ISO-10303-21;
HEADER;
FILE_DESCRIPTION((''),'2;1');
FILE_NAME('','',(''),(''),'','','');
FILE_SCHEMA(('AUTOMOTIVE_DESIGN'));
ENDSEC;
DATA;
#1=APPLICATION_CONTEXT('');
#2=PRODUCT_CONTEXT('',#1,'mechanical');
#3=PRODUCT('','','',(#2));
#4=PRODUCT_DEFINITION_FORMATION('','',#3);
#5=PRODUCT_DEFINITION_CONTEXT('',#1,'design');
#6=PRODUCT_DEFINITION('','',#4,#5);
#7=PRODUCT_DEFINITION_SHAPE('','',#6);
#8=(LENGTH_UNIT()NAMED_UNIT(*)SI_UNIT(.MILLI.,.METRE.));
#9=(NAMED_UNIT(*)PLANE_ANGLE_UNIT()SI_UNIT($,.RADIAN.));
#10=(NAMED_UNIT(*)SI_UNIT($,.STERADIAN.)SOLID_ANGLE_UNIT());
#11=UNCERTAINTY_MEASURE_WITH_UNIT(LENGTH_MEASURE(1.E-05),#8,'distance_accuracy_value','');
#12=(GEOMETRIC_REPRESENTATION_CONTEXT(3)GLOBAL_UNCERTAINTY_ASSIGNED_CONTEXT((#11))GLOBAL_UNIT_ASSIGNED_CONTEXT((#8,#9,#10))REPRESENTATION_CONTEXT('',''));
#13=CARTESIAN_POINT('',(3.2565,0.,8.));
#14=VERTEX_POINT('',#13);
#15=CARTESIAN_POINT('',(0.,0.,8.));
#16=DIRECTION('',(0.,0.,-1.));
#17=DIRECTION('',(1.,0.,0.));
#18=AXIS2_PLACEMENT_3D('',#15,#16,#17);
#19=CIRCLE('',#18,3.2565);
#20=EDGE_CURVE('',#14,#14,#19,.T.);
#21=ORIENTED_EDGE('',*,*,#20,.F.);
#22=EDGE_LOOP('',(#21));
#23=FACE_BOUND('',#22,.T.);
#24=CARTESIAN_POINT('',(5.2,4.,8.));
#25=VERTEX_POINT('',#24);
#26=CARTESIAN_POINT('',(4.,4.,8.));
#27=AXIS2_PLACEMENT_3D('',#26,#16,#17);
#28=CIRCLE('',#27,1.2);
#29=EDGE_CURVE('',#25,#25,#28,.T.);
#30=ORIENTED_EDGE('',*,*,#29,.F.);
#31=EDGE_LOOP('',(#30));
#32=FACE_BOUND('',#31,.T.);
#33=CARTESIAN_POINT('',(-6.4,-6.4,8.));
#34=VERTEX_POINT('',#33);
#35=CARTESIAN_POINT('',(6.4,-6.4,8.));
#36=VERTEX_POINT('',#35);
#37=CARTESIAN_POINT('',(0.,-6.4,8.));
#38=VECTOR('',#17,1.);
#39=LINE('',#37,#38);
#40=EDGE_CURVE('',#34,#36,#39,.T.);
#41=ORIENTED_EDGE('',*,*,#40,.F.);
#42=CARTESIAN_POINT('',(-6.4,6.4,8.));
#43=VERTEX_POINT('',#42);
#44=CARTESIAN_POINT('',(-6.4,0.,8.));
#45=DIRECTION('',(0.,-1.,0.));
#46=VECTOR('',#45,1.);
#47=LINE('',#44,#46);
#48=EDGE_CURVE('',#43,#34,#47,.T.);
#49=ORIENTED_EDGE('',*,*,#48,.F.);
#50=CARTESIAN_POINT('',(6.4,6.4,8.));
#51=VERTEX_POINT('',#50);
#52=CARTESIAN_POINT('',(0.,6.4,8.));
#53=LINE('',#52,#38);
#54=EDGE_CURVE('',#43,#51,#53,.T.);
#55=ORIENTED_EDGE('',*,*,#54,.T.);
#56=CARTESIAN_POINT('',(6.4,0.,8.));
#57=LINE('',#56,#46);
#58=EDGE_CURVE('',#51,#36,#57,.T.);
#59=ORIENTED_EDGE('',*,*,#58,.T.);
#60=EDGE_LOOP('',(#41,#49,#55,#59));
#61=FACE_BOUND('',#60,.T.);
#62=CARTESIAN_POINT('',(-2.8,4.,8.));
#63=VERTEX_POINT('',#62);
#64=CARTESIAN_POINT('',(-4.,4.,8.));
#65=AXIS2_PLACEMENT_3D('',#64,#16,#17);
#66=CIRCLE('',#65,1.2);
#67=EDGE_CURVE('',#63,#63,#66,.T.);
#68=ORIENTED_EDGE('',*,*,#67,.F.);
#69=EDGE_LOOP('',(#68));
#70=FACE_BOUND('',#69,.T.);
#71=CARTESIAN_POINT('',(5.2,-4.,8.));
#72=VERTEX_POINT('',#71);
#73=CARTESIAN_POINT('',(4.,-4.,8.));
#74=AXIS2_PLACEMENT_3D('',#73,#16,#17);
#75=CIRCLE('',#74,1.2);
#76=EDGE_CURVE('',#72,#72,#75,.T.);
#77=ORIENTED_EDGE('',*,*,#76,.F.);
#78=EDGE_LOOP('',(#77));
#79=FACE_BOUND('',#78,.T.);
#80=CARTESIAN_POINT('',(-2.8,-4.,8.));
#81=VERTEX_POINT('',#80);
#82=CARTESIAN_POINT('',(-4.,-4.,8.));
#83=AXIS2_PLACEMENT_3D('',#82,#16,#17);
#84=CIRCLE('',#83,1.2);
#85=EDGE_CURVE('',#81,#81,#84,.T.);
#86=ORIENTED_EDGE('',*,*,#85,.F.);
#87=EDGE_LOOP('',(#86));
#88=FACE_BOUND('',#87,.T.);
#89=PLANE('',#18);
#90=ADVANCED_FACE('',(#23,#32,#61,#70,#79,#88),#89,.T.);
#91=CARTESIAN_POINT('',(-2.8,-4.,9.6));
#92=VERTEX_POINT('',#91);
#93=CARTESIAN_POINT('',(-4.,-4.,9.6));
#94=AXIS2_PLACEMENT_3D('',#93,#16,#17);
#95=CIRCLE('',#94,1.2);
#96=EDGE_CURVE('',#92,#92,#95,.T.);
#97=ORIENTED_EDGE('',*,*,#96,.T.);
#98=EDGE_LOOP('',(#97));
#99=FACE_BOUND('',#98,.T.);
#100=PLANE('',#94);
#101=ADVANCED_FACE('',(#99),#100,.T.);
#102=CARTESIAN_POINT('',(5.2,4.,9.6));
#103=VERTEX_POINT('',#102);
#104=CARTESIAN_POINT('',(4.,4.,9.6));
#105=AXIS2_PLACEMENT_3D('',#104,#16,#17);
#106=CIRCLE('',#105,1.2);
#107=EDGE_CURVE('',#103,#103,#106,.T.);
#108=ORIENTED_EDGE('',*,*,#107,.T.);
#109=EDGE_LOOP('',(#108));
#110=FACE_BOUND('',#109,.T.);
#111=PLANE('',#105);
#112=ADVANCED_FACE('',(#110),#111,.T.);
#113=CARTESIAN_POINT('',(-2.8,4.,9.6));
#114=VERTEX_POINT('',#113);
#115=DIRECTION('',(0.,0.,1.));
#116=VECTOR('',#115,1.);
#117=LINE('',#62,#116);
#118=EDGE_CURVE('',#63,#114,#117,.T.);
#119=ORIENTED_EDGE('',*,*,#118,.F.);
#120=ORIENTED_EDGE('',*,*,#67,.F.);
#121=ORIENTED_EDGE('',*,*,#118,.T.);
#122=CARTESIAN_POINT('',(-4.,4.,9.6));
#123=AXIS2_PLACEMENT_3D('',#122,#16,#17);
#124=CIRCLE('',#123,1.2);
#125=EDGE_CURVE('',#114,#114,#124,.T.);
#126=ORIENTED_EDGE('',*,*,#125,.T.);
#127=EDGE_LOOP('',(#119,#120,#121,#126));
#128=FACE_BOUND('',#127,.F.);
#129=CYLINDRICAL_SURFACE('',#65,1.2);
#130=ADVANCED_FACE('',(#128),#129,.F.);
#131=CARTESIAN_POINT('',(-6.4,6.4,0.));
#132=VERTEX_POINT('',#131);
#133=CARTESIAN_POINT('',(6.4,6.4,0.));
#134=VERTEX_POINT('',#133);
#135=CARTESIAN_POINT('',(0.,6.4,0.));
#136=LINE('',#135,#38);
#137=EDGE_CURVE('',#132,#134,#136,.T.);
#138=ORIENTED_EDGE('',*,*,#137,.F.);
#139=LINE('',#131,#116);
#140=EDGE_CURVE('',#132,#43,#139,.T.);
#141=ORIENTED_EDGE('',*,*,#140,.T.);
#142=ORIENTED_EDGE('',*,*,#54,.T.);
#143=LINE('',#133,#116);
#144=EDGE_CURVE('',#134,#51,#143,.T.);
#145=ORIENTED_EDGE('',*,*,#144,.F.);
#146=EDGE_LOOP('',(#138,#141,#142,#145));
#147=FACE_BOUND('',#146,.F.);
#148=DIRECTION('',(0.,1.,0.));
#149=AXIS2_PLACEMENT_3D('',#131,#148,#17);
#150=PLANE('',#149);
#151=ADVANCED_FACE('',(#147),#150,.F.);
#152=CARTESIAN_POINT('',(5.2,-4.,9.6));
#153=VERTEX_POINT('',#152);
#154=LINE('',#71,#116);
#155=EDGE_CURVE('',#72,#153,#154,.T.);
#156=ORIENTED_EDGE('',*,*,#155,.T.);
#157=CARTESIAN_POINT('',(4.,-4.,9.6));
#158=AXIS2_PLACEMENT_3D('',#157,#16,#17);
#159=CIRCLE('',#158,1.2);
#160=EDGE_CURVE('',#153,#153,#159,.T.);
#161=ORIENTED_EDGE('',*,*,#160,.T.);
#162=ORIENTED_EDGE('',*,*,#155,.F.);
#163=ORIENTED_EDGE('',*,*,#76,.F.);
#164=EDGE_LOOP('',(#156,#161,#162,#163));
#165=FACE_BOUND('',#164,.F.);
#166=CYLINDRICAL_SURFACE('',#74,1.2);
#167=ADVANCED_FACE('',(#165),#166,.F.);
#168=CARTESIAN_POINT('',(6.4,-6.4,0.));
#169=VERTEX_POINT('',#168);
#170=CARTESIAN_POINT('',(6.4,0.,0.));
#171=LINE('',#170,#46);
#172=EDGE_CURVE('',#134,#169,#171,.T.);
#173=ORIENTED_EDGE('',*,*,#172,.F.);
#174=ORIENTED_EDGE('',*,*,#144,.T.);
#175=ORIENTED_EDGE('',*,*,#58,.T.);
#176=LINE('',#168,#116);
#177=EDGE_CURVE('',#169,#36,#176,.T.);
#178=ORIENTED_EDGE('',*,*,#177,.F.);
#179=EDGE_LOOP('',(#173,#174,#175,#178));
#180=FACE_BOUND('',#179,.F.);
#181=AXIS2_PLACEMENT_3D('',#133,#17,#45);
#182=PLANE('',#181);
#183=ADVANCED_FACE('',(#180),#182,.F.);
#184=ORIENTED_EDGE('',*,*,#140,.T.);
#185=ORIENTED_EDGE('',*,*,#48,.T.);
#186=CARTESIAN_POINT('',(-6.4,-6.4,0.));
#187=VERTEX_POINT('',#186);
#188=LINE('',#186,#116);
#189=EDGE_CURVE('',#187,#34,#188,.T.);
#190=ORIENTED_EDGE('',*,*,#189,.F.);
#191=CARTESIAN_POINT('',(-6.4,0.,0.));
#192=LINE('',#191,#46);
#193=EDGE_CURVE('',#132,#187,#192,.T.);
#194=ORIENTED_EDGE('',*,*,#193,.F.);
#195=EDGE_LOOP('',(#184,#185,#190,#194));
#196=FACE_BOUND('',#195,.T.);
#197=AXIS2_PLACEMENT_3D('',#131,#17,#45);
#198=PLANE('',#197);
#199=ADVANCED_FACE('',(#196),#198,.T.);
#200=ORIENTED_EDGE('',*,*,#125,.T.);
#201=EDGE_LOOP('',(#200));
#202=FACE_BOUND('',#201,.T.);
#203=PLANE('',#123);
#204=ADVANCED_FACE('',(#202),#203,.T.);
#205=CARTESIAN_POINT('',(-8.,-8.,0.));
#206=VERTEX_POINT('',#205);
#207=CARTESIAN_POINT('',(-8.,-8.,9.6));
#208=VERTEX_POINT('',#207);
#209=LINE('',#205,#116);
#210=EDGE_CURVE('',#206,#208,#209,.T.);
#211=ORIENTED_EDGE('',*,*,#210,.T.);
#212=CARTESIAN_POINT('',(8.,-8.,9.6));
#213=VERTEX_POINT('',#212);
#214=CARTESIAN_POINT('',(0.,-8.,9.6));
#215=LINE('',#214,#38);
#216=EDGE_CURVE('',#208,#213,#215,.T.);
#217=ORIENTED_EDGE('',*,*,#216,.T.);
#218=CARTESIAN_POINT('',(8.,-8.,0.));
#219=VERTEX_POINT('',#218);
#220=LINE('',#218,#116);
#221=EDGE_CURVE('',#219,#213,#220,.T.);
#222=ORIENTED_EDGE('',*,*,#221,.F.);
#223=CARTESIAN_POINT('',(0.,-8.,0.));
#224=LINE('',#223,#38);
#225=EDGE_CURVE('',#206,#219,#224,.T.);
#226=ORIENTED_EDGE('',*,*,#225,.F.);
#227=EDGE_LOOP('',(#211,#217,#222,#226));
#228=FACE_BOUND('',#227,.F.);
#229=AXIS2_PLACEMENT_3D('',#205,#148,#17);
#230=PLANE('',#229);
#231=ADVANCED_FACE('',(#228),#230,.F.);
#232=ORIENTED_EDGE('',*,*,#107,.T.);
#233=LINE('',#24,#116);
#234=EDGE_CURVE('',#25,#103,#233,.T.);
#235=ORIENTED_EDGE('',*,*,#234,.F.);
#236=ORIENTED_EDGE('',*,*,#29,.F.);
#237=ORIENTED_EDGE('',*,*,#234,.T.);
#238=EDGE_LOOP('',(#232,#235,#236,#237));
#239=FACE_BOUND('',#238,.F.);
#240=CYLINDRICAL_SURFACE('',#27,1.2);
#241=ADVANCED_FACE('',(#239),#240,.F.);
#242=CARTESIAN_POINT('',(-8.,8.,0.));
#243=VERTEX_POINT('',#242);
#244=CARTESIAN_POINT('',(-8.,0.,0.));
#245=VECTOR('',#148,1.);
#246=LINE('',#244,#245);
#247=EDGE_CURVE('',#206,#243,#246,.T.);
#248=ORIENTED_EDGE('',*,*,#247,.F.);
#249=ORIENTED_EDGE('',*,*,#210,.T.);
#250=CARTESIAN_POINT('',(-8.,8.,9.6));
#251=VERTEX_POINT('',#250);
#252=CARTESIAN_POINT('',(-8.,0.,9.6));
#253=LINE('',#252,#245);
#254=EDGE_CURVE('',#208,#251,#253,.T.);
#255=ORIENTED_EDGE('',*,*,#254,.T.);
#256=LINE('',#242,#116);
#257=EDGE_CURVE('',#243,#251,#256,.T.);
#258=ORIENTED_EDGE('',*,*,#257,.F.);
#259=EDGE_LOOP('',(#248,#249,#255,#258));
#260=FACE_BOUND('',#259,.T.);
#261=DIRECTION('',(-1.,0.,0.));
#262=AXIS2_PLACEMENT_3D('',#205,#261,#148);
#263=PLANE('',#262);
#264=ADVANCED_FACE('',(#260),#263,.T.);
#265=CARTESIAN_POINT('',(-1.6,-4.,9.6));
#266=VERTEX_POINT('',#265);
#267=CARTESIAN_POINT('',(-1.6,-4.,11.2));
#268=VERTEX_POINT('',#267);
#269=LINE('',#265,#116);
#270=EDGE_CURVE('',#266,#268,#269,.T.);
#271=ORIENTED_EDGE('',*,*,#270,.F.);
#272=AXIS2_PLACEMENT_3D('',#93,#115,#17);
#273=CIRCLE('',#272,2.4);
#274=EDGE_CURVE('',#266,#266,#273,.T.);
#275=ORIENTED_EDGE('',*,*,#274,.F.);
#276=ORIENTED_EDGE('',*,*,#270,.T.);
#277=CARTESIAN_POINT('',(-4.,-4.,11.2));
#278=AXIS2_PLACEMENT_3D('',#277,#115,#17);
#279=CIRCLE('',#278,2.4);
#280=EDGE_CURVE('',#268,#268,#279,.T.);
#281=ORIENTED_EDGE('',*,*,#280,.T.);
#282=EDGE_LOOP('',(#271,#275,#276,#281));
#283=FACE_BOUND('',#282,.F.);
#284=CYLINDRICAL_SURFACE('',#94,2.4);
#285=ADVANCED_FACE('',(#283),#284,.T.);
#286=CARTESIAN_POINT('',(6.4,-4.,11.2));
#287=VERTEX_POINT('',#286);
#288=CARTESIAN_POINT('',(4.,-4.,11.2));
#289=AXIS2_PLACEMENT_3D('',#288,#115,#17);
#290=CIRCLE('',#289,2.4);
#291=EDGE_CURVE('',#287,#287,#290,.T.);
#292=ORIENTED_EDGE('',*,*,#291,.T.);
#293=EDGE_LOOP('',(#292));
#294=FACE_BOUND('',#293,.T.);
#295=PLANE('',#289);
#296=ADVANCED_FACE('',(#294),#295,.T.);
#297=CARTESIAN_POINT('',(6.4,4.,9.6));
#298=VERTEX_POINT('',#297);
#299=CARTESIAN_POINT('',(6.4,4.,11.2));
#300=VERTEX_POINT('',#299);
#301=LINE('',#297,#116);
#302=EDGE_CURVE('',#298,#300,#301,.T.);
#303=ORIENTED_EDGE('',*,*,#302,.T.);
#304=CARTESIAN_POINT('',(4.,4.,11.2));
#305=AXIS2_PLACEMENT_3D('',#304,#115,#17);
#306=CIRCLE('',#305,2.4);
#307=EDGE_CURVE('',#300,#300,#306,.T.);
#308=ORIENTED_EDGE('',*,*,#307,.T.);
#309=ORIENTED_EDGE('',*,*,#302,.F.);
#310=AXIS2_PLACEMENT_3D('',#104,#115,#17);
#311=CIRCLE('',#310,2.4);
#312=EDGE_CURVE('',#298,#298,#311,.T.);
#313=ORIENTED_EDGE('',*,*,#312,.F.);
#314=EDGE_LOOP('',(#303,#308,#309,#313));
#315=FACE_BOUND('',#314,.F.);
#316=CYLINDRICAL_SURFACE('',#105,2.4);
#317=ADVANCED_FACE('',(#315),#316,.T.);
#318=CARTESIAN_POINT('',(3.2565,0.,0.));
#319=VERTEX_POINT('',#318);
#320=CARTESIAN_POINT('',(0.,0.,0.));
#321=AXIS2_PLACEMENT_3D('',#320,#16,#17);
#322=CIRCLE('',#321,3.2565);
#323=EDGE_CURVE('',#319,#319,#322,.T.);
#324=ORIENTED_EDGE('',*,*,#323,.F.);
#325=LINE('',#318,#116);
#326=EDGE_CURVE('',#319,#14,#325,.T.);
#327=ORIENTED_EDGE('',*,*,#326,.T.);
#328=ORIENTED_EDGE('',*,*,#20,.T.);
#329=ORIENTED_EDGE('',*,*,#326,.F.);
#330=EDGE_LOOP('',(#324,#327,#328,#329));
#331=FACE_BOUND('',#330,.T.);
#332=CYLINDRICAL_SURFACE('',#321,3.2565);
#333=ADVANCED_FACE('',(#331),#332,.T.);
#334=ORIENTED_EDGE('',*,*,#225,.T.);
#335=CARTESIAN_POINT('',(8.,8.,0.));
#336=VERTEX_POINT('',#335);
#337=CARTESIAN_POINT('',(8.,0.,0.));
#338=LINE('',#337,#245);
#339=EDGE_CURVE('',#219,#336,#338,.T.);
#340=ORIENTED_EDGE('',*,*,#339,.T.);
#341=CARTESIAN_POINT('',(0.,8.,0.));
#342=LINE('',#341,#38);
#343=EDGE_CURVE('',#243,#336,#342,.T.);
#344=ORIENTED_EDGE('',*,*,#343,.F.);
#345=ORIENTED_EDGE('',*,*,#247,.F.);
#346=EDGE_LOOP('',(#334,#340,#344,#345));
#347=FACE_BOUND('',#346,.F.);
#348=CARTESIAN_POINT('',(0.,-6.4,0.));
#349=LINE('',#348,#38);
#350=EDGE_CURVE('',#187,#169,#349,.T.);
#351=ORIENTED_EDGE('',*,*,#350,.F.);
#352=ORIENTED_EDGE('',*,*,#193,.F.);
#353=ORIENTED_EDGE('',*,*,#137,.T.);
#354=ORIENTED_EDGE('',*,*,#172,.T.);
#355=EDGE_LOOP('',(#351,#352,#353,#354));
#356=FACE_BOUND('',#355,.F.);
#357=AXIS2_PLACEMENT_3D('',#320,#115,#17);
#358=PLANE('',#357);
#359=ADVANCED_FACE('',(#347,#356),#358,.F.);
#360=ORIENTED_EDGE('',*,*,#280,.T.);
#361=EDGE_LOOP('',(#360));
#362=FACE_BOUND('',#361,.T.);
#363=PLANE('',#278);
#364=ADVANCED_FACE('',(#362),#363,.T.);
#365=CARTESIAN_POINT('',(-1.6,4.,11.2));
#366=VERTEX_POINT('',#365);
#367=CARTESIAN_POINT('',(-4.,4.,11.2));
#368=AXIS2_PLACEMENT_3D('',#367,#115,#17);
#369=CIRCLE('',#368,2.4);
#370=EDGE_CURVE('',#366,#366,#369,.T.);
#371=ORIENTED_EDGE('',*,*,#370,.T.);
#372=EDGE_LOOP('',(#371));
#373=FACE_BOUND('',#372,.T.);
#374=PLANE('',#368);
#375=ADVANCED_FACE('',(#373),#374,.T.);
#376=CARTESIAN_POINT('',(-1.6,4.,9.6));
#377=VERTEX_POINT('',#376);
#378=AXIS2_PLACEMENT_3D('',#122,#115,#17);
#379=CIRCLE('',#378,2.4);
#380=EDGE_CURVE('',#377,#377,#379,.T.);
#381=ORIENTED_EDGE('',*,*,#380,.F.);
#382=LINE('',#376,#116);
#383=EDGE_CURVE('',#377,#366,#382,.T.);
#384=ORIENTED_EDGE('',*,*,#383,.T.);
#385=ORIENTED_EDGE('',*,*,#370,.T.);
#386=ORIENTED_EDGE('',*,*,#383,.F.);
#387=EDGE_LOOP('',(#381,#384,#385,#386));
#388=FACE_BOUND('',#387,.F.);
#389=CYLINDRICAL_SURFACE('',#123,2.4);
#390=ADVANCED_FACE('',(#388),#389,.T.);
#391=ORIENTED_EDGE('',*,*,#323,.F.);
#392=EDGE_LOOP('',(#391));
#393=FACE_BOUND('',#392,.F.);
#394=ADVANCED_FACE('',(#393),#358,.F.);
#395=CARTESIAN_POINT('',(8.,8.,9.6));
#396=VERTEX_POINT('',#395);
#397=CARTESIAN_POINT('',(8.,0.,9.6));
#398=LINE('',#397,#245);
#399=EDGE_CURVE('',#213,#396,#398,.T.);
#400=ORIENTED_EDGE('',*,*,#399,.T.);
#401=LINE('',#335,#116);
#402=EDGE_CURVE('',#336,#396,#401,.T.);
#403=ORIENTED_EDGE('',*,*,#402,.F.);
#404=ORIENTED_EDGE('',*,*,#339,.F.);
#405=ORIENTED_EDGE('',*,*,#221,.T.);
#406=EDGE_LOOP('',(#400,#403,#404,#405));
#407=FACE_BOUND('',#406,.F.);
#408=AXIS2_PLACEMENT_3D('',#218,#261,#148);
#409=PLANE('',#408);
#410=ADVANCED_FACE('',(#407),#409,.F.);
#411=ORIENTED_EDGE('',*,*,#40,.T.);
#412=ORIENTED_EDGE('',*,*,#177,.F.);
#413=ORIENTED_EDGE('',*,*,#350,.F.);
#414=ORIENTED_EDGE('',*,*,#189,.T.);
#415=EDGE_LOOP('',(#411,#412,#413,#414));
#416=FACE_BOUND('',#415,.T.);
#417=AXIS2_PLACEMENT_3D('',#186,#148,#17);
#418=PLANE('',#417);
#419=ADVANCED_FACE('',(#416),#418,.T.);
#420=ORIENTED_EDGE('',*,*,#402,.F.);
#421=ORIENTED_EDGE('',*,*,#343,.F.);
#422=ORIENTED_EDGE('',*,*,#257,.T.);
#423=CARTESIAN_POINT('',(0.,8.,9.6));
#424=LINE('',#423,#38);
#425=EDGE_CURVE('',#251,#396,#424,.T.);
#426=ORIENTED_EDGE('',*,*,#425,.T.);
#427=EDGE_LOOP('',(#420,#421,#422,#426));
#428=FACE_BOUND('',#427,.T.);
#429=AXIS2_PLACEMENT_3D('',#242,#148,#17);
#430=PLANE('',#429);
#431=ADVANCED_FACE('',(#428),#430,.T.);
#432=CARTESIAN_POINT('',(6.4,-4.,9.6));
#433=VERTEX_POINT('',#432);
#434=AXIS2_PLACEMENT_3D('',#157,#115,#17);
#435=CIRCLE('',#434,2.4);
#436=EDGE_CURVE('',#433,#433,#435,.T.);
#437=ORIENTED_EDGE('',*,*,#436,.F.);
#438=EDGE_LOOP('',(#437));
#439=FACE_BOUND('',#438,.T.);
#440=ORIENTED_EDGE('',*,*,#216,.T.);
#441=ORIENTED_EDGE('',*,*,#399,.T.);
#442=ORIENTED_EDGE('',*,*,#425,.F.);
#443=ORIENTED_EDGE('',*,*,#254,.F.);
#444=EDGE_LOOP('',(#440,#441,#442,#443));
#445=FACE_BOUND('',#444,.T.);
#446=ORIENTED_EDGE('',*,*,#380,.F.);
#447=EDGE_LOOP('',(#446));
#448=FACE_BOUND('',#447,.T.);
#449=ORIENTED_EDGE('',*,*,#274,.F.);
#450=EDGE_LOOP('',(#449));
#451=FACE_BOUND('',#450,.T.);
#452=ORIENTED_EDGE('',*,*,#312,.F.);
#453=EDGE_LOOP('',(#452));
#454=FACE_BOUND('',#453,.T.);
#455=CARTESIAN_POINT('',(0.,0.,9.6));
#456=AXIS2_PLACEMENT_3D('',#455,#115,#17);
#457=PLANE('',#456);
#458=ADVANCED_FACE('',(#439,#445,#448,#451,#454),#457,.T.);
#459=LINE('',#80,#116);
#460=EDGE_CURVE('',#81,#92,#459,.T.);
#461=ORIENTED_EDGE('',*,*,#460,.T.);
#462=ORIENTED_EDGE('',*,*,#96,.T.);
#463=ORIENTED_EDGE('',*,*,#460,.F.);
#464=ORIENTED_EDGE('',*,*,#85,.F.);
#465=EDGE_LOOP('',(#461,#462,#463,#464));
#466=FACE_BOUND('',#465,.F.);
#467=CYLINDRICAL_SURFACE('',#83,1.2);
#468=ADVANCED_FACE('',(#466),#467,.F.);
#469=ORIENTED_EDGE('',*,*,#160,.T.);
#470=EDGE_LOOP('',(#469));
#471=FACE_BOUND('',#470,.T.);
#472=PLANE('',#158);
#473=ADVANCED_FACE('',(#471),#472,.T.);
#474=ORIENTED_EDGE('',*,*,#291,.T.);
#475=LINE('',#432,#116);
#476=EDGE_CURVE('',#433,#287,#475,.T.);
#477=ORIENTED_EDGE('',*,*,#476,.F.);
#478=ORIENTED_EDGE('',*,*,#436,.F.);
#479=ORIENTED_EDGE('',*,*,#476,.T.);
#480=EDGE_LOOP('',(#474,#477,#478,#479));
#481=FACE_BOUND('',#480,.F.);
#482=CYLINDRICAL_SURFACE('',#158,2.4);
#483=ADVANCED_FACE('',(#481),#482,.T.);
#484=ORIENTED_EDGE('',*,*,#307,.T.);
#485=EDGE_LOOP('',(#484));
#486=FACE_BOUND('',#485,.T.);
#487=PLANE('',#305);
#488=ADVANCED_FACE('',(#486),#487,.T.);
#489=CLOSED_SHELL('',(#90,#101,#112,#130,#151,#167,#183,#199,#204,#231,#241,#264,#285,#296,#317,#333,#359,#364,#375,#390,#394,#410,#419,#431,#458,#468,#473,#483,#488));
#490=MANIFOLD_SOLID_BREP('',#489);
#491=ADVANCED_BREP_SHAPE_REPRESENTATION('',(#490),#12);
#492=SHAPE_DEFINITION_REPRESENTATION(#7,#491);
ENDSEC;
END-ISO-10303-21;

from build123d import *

# Parameters (mm, degrees)
F0_W     = 16
F0_H     = 16
F1_DEPTH = 9.6
F2_W     = 12.8
F2_H     = 12.8
F2_R     = 3.2565
F3_DEPTH = 8
F4_R     = 2.4
F5_DEPTH = 1.6
F6_R     = 1.2
F7_DEPTH = 1.6


with BuildPart() as f1:
    # F0 (on Top) → F1 (new body)
    with BuildSketch(Plane.XY):
        Rectangle(F0_W, F0_H)
    extrude(amount=F1_DEPTH)

    # F2 (on face) → F3 (cut)
    with BuildSketch(Plane(origin=(0, 0, 0), x_dir=(1, 0, 0), z_dir=(0, 0, -1))):
        Rectangle(F2_W, F2_H)
        Circle(F2_R, mode=Mode.SUBTRACT)
    extrude(amount=-F3_DEPTH, mode=Mode.SUBTRACT)

    # F4 (on face) → F5 (join)
    with BuildSketch(Plane.XY.offset(9.6)):
        with Locations((-4, 4)):
            Circle(F4_R)
        with Locations((4, 4)):
            Circle(F4_R)
        with Locations((-4, -4)):
            Circle(F4_R)
        with Locations((4, -4)):
            Circle(F4_R)
    extrude(amount=F5_DEPTH)

    # F6 (on face) → F7 (cut)
    with BuildSketch(Plane(origin=(0, 0, 8), x_dir=(1, 0, 0), z_dir=(0, 0, -1))):
        with Locations((-4, -4)):
            Circle(F6_R)
        with Locations((4, -4)):
            Circle(F6_R)
        with Locations((-4, 4)):
            Circle(F6_R)
        with Locations((4, 4)):
            Circle(F6_R)
    extrude(amount=-F7_DEPTH, mode=Mode.SUBTRACT)


solid = f1.part
